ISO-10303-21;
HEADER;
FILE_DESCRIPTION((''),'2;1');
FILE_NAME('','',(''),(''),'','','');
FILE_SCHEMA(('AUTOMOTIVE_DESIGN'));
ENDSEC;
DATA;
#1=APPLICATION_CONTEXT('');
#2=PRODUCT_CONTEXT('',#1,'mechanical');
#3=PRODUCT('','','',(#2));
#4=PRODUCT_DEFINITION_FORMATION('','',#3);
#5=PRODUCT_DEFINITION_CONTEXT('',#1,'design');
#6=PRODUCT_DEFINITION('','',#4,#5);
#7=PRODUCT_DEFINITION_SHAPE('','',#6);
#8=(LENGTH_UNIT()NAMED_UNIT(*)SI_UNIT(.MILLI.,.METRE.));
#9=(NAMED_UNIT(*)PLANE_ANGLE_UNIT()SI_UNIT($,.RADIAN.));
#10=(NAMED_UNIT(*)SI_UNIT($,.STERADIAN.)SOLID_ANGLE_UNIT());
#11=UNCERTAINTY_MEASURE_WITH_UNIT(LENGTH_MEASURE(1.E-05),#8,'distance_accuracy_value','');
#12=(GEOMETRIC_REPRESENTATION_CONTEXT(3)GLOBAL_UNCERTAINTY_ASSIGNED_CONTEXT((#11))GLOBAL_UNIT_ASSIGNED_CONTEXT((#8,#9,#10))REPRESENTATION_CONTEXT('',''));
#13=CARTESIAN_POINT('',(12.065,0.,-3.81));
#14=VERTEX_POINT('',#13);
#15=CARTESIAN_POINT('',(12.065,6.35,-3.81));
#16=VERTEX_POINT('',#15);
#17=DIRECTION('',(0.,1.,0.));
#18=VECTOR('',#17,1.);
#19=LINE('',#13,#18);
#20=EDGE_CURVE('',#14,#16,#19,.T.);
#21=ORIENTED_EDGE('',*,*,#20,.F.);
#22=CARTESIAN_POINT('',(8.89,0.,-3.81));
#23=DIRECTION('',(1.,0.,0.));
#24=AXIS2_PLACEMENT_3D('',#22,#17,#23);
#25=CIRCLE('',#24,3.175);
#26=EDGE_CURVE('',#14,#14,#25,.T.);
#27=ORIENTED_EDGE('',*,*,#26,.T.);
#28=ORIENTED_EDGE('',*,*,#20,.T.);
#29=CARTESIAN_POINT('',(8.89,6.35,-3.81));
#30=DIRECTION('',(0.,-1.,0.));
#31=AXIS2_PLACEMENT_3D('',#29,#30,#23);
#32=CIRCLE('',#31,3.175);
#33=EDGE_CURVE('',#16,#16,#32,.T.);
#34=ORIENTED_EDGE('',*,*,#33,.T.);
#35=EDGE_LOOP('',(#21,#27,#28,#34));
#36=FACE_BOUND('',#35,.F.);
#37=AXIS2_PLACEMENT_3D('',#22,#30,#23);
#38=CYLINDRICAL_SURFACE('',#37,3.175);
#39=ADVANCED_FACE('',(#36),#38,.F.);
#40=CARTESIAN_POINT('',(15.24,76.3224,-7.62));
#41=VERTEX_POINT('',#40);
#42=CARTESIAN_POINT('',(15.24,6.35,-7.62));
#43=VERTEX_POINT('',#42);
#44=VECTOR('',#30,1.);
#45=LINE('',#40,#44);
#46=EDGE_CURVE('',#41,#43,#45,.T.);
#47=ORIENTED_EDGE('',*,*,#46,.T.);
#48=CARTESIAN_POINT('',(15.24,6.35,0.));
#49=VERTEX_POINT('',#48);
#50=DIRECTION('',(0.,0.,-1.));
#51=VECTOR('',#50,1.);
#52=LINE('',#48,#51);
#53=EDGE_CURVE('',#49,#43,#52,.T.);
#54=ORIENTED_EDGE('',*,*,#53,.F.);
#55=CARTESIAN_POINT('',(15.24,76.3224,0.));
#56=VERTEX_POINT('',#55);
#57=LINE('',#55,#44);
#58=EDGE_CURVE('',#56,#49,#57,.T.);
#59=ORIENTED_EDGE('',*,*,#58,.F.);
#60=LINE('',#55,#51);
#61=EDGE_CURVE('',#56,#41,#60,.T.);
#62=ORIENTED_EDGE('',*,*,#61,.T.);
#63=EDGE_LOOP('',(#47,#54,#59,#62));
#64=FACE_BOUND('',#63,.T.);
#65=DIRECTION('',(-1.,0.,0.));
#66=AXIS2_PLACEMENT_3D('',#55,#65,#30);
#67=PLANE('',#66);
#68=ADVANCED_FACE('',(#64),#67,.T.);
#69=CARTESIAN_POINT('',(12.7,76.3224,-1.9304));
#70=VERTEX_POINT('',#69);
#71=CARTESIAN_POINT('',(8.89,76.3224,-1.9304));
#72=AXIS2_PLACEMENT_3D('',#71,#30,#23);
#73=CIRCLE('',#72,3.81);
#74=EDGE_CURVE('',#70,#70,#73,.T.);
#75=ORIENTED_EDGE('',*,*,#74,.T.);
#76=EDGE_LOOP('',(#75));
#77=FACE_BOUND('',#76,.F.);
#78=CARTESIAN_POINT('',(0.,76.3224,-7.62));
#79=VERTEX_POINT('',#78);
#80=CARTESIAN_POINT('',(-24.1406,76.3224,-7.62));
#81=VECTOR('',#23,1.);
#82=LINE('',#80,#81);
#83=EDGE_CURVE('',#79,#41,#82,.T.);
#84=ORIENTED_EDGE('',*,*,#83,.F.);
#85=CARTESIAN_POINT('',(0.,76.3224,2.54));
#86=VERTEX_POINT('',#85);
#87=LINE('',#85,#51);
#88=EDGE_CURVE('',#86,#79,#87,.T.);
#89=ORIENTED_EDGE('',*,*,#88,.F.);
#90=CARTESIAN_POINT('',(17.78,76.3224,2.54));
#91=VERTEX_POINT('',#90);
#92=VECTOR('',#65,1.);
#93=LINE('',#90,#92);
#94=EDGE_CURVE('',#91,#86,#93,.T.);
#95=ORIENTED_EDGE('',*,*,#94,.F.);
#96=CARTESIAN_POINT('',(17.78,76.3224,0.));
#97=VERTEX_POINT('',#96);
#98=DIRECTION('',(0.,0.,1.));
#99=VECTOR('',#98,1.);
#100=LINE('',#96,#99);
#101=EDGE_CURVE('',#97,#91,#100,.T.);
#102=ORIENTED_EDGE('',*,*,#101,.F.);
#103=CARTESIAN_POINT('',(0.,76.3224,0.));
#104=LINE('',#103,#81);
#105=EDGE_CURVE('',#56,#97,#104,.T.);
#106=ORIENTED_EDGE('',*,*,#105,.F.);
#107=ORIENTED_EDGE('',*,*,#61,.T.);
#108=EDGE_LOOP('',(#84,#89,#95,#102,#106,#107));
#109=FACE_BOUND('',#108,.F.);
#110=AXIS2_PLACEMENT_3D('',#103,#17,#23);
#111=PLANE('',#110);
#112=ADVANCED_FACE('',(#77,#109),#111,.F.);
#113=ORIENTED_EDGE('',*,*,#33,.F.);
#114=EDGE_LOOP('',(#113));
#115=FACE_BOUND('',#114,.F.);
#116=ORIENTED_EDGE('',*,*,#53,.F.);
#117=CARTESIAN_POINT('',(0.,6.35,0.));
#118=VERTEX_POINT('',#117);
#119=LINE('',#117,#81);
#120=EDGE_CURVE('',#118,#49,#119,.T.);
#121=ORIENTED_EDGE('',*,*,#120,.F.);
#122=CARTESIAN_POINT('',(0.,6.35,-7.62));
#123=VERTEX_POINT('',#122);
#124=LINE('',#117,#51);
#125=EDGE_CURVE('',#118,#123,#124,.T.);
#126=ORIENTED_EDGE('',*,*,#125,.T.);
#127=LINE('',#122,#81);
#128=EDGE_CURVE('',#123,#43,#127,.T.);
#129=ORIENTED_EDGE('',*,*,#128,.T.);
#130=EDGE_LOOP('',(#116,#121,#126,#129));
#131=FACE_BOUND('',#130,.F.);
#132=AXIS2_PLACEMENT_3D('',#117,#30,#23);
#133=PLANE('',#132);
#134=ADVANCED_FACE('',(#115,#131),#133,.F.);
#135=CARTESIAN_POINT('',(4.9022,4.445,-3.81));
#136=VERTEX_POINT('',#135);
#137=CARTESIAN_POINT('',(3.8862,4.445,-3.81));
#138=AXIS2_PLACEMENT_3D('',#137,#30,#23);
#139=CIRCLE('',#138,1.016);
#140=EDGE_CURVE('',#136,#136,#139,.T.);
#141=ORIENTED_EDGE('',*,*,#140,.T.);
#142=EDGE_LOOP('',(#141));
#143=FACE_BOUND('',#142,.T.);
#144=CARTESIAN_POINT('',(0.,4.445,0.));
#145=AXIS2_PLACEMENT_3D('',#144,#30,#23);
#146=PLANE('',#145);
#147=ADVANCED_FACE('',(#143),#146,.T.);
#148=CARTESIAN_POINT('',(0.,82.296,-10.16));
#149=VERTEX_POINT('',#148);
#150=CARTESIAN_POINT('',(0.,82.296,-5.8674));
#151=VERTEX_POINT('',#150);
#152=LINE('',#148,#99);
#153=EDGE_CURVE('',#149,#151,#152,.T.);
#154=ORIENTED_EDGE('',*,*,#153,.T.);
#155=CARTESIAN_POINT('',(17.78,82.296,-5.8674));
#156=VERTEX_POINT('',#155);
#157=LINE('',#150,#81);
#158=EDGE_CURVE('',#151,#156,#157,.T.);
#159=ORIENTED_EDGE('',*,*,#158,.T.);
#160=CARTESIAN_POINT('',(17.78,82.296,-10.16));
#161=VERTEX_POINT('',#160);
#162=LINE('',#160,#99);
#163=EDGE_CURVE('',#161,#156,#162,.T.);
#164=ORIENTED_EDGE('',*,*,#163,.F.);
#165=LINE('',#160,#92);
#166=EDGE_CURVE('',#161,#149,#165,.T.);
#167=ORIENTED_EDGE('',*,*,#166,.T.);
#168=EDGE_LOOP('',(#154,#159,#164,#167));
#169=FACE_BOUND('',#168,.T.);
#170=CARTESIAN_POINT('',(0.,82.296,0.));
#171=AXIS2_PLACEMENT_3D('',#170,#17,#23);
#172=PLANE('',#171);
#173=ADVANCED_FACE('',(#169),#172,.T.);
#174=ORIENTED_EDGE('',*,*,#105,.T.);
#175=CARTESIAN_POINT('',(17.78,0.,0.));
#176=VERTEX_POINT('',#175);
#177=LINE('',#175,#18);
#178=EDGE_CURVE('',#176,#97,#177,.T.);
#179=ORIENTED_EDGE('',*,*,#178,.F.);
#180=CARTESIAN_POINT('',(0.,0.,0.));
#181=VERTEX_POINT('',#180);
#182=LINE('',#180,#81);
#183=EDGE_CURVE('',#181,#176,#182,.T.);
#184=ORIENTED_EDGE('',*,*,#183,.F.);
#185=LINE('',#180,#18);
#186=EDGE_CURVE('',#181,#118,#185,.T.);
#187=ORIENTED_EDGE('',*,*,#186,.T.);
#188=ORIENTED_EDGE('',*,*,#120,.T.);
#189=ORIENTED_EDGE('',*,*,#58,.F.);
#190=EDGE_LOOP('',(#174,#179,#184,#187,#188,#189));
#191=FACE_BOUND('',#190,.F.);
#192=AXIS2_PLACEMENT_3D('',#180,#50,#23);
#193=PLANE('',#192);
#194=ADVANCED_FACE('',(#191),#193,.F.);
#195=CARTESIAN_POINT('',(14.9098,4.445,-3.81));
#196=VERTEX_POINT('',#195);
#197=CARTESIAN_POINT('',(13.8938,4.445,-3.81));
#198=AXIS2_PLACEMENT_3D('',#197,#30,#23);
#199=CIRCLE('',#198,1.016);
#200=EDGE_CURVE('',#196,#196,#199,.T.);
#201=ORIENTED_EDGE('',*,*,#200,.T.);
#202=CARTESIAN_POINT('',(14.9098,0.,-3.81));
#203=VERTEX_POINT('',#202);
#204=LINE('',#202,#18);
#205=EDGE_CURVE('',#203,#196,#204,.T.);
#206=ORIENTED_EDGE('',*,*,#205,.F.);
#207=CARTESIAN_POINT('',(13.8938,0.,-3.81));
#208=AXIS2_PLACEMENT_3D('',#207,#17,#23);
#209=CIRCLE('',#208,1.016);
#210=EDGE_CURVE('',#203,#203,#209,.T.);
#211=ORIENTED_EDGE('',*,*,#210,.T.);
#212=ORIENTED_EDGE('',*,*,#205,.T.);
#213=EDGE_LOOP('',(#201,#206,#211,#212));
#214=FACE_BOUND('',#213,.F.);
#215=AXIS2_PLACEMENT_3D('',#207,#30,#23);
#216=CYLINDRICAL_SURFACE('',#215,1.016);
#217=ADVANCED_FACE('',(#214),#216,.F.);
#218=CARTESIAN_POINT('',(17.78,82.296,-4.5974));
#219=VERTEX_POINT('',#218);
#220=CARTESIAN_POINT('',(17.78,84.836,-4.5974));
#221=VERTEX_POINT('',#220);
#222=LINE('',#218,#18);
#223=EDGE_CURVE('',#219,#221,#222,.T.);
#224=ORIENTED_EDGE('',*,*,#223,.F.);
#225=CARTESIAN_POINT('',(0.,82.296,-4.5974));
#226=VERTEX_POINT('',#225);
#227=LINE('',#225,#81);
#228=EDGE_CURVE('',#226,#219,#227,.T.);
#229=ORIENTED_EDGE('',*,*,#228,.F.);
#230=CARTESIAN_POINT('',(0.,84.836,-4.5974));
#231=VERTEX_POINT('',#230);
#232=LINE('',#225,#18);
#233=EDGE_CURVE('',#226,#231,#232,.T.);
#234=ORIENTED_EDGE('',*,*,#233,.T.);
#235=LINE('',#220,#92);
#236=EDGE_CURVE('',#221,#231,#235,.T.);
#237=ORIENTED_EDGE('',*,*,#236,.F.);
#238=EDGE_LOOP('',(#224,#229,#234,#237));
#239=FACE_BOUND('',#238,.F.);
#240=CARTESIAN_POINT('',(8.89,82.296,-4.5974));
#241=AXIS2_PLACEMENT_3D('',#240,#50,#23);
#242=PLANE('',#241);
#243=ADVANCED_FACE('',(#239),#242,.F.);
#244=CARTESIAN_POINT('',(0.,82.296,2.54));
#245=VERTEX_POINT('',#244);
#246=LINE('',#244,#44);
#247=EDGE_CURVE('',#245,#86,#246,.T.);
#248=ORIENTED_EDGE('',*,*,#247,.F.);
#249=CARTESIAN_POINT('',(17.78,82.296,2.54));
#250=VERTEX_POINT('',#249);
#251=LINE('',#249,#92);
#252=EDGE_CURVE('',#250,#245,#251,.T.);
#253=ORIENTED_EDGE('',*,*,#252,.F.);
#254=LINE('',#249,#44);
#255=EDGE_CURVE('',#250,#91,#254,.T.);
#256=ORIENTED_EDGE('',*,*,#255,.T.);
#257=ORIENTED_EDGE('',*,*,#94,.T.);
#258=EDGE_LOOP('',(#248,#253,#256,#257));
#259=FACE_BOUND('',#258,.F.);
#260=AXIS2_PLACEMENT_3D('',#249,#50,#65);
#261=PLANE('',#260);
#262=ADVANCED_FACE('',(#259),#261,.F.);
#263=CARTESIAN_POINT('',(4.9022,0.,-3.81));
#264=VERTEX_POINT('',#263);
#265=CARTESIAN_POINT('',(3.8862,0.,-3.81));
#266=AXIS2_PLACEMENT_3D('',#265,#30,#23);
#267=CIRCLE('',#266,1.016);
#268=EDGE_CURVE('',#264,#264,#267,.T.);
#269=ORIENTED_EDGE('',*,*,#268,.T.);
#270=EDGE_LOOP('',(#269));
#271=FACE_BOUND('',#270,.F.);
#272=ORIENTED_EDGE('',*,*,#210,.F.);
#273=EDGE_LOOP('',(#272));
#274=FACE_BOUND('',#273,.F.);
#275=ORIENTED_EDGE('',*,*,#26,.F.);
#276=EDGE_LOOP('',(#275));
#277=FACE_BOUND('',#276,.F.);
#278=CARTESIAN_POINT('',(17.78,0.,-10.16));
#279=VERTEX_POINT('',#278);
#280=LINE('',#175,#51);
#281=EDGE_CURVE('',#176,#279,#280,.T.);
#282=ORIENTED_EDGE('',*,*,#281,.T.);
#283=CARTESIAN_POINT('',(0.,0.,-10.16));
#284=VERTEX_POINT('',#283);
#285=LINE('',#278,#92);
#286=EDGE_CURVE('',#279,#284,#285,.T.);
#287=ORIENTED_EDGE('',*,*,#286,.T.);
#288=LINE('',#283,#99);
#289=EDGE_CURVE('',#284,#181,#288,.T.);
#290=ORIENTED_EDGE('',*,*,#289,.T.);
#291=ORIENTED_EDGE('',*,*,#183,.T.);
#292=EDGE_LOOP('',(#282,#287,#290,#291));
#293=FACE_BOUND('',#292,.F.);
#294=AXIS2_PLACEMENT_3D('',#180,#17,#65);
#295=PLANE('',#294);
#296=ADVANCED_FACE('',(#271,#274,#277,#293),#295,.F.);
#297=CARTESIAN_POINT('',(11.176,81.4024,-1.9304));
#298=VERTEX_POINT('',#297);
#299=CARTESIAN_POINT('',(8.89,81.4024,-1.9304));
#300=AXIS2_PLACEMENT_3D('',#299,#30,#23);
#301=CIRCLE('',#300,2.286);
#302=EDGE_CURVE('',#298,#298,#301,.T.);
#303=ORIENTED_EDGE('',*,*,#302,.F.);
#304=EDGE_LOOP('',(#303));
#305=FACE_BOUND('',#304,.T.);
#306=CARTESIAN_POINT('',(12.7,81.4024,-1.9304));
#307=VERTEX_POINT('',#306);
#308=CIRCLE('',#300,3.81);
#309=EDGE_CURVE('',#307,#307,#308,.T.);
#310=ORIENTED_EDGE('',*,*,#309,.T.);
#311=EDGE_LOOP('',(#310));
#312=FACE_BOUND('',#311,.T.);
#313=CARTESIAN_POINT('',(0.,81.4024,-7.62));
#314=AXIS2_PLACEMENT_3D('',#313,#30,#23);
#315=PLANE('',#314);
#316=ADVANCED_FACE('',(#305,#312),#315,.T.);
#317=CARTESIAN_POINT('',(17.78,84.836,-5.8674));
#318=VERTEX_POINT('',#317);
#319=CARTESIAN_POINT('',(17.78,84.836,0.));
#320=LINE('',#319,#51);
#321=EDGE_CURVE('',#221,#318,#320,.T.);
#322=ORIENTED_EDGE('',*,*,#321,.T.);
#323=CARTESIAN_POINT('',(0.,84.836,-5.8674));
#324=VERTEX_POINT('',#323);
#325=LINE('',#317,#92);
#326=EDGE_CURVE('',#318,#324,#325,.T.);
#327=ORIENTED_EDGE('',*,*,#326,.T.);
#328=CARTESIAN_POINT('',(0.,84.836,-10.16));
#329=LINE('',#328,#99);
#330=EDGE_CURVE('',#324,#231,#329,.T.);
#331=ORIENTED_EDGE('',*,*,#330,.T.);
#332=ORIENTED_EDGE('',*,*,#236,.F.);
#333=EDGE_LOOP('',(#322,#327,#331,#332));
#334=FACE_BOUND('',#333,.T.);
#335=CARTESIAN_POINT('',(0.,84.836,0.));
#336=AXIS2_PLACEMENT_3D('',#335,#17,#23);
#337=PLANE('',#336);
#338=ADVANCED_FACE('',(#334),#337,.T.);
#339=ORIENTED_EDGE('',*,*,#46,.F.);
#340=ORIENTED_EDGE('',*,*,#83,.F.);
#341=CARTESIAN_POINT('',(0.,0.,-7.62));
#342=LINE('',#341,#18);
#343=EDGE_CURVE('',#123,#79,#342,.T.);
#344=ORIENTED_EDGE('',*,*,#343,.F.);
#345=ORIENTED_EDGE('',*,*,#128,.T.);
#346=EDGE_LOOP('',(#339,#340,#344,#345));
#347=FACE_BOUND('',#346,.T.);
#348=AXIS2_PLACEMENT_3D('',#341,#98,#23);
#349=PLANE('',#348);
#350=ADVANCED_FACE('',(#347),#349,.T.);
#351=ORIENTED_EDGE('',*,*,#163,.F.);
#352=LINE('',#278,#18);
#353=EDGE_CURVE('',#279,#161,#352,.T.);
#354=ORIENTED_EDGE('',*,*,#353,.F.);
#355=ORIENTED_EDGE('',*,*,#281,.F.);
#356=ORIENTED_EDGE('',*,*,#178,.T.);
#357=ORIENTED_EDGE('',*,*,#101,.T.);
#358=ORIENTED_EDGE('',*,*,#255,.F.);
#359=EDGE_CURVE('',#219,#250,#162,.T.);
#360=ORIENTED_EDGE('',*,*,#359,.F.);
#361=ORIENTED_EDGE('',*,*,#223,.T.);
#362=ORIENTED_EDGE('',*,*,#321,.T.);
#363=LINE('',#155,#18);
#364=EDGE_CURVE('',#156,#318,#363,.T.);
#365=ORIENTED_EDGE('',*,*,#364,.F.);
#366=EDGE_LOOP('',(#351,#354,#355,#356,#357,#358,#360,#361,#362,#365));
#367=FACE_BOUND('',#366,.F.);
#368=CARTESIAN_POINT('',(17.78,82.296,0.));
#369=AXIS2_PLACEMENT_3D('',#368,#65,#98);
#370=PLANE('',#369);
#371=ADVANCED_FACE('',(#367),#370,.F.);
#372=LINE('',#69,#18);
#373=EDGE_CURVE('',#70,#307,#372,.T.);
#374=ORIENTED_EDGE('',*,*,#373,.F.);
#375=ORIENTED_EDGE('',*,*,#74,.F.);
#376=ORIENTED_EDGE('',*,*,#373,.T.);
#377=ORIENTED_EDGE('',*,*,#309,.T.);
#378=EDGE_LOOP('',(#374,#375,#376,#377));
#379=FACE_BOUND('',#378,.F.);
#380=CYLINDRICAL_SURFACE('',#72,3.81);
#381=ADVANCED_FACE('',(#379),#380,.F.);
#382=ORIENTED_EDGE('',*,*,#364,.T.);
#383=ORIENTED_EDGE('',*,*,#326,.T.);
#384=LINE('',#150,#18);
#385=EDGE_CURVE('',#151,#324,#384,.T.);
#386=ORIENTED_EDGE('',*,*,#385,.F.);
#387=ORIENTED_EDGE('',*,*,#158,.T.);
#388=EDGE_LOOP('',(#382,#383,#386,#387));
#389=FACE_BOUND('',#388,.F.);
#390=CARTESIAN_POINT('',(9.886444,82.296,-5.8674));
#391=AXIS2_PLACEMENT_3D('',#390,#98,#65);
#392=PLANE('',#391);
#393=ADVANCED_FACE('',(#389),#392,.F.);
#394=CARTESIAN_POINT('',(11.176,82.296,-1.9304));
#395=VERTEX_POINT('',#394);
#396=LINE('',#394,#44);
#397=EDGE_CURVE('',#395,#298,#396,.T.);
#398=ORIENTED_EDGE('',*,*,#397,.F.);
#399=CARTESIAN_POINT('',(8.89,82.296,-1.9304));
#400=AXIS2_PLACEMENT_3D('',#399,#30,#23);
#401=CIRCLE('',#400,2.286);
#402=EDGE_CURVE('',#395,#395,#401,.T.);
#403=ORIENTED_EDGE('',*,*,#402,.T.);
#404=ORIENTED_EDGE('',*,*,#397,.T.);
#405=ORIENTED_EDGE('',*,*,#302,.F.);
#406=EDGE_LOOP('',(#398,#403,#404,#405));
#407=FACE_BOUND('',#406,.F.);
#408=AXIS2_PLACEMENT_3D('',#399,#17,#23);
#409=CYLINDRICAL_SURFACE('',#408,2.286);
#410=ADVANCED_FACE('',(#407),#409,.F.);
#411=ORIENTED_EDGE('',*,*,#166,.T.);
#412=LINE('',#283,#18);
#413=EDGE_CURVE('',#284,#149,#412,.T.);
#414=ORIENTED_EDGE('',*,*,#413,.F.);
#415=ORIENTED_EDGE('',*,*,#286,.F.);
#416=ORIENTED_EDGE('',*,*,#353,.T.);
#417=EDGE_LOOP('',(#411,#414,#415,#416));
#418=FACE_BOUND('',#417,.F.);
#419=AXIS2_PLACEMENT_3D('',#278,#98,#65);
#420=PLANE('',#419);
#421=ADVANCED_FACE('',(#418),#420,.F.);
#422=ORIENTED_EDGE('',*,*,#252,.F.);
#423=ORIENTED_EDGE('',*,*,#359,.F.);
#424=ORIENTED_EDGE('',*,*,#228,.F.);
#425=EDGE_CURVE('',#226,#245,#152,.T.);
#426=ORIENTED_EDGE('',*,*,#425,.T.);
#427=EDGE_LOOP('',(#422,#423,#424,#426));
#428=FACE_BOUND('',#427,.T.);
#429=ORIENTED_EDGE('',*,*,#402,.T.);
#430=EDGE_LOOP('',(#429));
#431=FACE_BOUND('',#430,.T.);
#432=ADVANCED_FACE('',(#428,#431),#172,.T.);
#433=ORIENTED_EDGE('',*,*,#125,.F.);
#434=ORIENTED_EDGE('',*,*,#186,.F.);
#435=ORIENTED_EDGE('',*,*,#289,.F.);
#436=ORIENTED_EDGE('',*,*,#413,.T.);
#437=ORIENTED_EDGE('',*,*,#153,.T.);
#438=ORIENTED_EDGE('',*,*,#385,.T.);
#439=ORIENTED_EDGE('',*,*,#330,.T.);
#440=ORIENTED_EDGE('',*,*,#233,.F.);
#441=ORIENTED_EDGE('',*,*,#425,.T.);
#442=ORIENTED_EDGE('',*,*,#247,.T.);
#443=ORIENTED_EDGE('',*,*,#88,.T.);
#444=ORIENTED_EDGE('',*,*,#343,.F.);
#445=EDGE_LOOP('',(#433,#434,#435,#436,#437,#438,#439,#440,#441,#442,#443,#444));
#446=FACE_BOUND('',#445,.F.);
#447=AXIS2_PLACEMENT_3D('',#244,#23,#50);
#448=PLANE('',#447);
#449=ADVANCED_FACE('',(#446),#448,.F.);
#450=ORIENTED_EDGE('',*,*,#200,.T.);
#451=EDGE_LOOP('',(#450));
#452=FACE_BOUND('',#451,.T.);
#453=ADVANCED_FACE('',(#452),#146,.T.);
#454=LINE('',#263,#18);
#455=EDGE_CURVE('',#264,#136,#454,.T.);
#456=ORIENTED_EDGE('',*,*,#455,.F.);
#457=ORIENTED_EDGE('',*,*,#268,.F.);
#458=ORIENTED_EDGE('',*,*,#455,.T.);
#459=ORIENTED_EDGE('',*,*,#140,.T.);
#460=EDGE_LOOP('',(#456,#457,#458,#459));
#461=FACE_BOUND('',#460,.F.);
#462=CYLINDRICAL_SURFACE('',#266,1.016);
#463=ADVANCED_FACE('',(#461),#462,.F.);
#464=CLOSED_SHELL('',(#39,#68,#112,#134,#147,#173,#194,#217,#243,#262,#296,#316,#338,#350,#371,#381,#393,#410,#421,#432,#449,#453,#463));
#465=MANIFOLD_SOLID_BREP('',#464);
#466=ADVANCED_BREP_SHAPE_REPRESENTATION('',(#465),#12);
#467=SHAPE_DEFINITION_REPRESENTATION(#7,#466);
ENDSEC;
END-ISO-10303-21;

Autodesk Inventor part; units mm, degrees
ref_plane "YZ Plane" through (0, 0, 0) normal (1, 0, 0) x (0, 1, 0)
ref_plane "XZ Plane" through (0, 0, 0) normal (0, 1, 0) x (-1, 0, 0)
ref_plane "XY Plane" through (0, 0, 0) normal (0, 0, 1) x (1, 0, 0)
sketch "Sketch1" plane through (0, 0, 0) normal (0, 1, 0) x (-1, 0, 0)
  line L0 (0, 0) -> (-17.78, 0)
  line L1 (-17.78, 0) -> (-17.78, -10.16)
  line L2 (-17.78, -10.16) -> (0, -10.16)
  line L3 (0, -10.16) -> (0, 0)
  dimension "d0" = 17.78
  dimension "d1" = 10.16
extrude "Extrusion1" add sketch "Sketch1" along normal blind 82.296
sketch "Sketch2" plane through (0, 0, 0) normal (0, -1, 0) x (1, 0, 0)
  line L0 (0, 0) -> (0, -5.08)
  line L1 (0, -10.16) -> (0, 0) projected
  line L2 (0, 0) -> (17.78, 0) projected
  line L3 (8.89, 0) -> (8.89, -3.81)
  circle A0 centre (8.89, -3.81) radius 3.175
  line L4 (8.89, -3.81) -> (11.8809, -3.81)
  line L5 (8.89, -3.81) -> (3.8862, -3.81)
  line L6 (8.89, -3.81) -> (13.8938, -3.81)
  circle A1 centre (13.8938, -3.81) radius 1.016
  circle A2 centre (3.8862, -3.81) radius 1.016
  dimension "d5" = 6.35
  dimension "d6" = 5.0038
  dimension "d7" = 5.0038
  dimension "d8" = 2.032
  dimension "d9" = 2.032
  dimension "d20" = 3.81
extrude "Extrusion2" cut sketch "Sketch2" against normal blind 50.8 contours A0 L6 L4 L3 | L3 L5 A0 | L4 L6 A0 L5
sketch "Sketch3" plane through (0, 0, 0) normal (0, 0, 1) x (1, 0, 0)
  line L0 (0, 0) -> (0, 82.296) projected
  line L1 (0, 0) -> (0, 6.35)
  line L2 (0, 6.35) -> (15.24, 6.35)
  line L3 (15.24, 6.35) -> (-24.1406, 6.35)
  line L4 (-24.1406, 6.35) -> (-24.1406, 76.3224)
  line L5 (-24.1406, 76.3224) -> (15.24, 76.3224)
  line L6 (15.24, 76.3224) -> (15.24, 6.35)
  point P0 (0, 76.3224)
  dimension "d12" = 6.35
  dimension "d13" = 15.24
extrude "Extrusion3" cut sketch "Sketch3" against normal blind 7.62 contours L0 L5 L6 L2
extrude "Extrusion4" cut sketch "Sketch2" against normal blind 4.445 contours A1 | A2
thread "Thread1" size "8-32 UNC" class "2B" standard "ANSI Unified Screw Threads" length 9.896
sketch "Sketch4" plane through (0, 82.296, 0) normal (0, 1, 0) x (1, 0, 0)
  circle A0 centre (8.89, 3.81) radius 3.175 projected
  line L0 (8.89, 0) -> (8.89, 3.81) projected
  circle A1 centre (8.89, 3.81) radius 2.286
  line L1 (8.89, 3.81) -> (8.89, 1.9304)
  circle A2 centre (8.89, 1.9304) radius 2.286
  point P0 (0, 0)
  dimension "d21" = 4.572
  dimension "d28" = 1.8796
  dimension "d29" = 4.572
sketch "Sketch5" plane through (0, 82.296, 0) normal (0, 1, 0) x (1, 0, 0)
  circle A0 centre (8.89, 3.81) radius 2.286 projected
  line L0 (8.89, 3.81) -> (8.89, 6.477)
  line L1 (8.89, 6.477) -> (0, 6.477)
  line L2 (0, 10.16) -> (0, 0) projected
  line L3 (8.89, 6.477) -> (17.78, 6.477)
  line L4 (17.78, 0) -> (17.78, 10.16) projected
  line L5 (17.78, 6.477) -> (17.78, 7.747)
  line L6 (17.78, 7.747) -> (0, 7.747)
  line L7 (0, 6.477) -> (0, 7.747)
  line L8 (8.89, 3.81) -> (8.89, 1.9304)
  line L9 (8.89, 6.477) -> (8.89, 4.5974)
  line L10 (8.89, 4.5974) -> (0, 4.5974)
  line L11 (8.89, 4.5974) -> (17.78, 4.5974)
  line L12 (17.78, 5.8674) -> (0, 5.8674)
  line L13 (17.78, 4.5974) -> (17.78, 5.8674)
  line L14 (0, 4.5974) -> (0, 5.8674)
  point P0 (0, 5.8674)
  point P1 (0, 4.5974)
  dimension "d24" = 2.667
  dimension "d25" = 1.27
  dimension "d35" = 1.8796
  dimension "d36" = 1.8796
  dimension "d37" = 1.27
sketch "Sketch6" plane through (0, 82.296, 0) normal (0, 1, 0) x (1, 0, 0)
  line L0 (0, 0) -> (17.78, 0) projected
  line L1 (0, 0) -> (17.78, 0)
  line L2 (17.78, 0) -> (17.78, -2.54)
  line L3 (17.78, -2.54) -> (0, -2.54)
  line L4 (0, -2.54) -> (0, 0)
  dimension "d30" = 2.54
extrude "Extrusion7" add sketch "Sketch6" against normal blind 5.9736
extrude "Extrusion8" cut sketch "Sketch4" against normal blind 25.4 contours A2 A1 L0 A0 | A0 A2 | A0 L0 A1 A2 | A2 A1 picked at (9.0633, 2.4414)
extrude "Extrusion9" add sketch "Sketch5" along normal blind 2.54 contours L11 L0 L12 A0 | A0 L12 L4 L11 | L10 L2 L12 A0 | A0 L12 L0 L10
sketch "Sketch8" plane through (0, 76.3224, -7.62) normal (0, -1, 0) x (1, 0, 0)
  circle A0 centre (8.89, 5.6896) radius 2.286 projected
  circle A1 centre (8.89, 5.6896) radius 2.286 projected
  circle A2 centre (8.89, 5.6896) radius 3.81
  point P0 (0, 7.62)
  point P1 (10.1145, 7.62)
  point P2 (7.6655, 7.62)
  dimension "d41" = 7.62
extrude "Extrusion10" cut sketch "Sketch8" against normal blind 5.08
properties part number "IDA12toPolarisAdapter"
